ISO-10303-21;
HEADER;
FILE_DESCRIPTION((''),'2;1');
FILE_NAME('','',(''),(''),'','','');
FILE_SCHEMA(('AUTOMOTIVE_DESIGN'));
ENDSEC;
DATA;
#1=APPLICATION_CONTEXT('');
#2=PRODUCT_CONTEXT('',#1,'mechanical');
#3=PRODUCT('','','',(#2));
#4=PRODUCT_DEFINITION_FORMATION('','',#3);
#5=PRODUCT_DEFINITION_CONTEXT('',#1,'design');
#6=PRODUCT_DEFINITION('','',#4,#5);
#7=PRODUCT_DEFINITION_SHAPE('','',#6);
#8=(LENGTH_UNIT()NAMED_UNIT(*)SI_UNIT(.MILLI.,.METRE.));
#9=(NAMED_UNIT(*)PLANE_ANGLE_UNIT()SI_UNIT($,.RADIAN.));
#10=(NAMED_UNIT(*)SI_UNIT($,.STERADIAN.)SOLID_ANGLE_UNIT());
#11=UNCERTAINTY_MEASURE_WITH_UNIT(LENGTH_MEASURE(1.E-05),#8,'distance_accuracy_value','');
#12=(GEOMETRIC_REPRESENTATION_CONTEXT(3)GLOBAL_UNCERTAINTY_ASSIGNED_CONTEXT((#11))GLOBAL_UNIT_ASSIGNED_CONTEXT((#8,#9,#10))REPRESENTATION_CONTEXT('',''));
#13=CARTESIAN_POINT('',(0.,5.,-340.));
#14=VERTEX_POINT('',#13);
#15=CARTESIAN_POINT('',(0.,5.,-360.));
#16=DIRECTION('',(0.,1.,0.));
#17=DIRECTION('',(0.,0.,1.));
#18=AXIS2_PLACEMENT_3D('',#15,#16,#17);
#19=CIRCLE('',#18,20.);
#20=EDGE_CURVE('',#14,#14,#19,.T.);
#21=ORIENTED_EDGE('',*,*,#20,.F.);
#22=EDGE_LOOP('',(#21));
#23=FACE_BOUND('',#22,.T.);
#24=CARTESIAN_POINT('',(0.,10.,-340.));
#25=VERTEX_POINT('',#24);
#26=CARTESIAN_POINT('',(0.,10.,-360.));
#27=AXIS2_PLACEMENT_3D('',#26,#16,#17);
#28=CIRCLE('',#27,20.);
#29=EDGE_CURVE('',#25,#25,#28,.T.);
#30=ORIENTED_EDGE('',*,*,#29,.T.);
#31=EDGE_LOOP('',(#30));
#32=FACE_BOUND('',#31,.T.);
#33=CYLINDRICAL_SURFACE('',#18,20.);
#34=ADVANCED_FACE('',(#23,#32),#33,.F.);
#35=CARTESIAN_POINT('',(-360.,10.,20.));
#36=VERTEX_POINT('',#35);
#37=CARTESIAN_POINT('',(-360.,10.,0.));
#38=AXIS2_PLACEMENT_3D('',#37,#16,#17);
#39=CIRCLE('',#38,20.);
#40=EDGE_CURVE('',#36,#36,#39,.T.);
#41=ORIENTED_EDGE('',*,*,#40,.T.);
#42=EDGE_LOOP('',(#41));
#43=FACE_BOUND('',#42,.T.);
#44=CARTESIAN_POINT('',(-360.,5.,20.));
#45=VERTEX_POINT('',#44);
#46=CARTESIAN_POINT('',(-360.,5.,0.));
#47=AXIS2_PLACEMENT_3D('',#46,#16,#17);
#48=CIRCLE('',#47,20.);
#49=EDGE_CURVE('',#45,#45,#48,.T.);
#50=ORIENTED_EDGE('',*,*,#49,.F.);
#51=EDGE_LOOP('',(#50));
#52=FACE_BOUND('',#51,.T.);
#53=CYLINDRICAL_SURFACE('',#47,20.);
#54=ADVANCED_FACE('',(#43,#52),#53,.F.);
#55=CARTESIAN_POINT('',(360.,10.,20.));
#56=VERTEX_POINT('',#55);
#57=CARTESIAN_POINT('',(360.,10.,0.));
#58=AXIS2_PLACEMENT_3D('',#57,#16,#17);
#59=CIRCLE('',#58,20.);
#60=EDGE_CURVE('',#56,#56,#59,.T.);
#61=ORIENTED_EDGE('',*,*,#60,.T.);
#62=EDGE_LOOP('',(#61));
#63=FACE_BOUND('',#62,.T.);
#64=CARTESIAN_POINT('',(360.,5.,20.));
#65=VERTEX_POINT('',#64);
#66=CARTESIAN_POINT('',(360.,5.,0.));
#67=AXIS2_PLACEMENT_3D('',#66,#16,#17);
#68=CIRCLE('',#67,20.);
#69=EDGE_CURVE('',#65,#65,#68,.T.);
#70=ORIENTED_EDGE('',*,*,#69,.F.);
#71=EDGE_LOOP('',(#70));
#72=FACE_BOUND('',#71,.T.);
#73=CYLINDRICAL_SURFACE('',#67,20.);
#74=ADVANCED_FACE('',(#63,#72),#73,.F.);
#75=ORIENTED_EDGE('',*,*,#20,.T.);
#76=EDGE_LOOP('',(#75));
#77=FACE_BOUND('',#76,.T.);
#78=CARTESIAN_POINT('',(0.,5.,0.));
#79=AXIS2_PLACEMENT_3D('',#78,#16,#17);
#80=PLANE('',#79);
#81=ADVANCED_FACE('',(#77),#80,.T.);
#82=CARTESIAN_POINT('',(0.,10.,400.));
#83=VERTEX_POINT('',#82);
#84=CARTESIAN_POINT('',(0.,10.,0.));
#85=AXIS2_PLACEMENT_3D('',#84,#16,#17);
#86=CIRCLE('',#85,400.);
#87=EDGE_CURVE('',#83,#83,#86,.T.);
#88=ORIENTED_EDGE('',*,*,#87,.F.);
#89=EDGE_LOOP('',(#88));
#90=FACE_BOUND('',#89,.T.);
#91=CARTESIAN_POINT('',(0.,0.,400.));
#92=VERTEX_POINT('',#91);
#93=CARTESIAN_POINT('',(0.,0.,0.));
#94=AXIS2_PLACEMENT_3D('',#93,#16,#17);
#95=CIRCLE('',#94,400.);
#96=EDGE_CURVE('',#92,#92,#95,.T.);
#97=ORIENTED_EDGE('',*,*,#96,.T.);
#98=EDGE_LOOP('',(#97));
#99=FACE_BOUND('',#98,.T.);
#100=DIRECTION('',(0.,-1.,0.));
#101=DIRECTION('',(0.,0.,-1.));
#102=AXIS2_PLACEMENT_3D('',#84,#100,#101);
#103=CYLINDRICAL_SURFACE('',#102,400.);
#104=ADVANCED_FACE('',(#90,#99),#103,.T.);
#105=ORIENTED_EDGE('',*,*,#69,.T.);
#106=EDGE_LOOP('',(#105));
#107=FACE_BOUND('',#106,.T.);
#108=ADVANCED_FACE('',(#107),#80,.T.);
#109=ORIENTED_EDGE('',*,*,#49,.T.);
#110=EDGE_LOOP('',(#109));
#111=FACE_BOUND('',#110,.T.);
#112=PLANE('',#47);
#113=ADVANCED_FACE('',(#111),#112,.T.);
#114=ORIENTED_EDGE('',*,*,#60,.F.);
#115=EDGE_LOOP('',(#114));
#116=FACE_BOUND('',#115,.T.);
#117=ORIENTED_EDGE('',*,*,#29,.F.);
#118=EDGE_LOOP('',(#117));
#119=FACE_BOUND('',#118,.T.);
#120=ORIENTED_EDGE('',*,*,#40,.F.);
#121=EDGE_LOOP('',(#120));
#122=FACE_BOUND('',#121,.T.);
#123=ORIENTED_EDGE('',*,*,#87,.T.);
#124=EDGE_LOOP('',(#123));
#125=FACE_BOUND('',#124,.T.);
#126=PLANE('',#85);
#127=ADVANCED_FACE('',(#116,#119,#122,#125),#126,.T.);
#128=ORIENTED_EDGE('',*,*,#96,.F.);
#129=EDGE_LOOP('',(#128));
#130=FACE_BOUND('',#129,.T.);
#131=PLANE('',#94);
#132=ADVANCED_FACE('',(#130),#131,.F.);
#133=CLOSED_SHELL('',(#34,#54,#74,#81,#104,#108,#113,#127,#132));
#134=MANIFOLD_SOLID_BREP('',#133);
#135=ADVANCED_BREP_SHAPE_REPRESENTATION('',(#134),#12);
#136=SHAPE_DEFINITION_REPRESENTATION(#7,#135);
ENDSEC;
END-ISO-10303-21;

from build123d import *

# Parameters (mm, degrees)
SKETCH1_R           = 400
BOSS_EXTRUDE1_DEPTH = 10
SKETCH2_R           = 20
CUT_EXTRUDE2_DEPTH  = 5


with BuildPart() as part:
    # Sketch1 → Boss-Extrude1 (new body)
    with BuildSketch(Plane(origin=(0, 0, 0), x_dir=(1, 0, 0), z_dir=(0, 1, 0))):
        with Locations(Location((0, 0, 0), (0, 0, 270))):
            Circle(SKETCH1_R)
    extrude(amount=BOSS_EXTRUDE1_DEPTH)

    # Sketch2 → Cut-Extrude2 (cut)
    with BuildSketch(Plane(origin=(0, 10, 0), x_dir=(1, 0, 0), z_dir=(0, 1, 0))):
        with Locations(Location((360, 0, 0), (0, 0, 270))):
            Circle(SKETCH2_R)
        with Locations(Location((-360, 0, 0), (0, 0, 270))):
            Circle(SKETCH2_R)
        with Locations(Location((0, 360, 0), (0, 0, 270))):
            Circle(SKETCH2_R)
    extrude(amount=-CUT_EXTRUDE2_DEPTH, mode=Mode.SUBTRACT)


solid = part.part
